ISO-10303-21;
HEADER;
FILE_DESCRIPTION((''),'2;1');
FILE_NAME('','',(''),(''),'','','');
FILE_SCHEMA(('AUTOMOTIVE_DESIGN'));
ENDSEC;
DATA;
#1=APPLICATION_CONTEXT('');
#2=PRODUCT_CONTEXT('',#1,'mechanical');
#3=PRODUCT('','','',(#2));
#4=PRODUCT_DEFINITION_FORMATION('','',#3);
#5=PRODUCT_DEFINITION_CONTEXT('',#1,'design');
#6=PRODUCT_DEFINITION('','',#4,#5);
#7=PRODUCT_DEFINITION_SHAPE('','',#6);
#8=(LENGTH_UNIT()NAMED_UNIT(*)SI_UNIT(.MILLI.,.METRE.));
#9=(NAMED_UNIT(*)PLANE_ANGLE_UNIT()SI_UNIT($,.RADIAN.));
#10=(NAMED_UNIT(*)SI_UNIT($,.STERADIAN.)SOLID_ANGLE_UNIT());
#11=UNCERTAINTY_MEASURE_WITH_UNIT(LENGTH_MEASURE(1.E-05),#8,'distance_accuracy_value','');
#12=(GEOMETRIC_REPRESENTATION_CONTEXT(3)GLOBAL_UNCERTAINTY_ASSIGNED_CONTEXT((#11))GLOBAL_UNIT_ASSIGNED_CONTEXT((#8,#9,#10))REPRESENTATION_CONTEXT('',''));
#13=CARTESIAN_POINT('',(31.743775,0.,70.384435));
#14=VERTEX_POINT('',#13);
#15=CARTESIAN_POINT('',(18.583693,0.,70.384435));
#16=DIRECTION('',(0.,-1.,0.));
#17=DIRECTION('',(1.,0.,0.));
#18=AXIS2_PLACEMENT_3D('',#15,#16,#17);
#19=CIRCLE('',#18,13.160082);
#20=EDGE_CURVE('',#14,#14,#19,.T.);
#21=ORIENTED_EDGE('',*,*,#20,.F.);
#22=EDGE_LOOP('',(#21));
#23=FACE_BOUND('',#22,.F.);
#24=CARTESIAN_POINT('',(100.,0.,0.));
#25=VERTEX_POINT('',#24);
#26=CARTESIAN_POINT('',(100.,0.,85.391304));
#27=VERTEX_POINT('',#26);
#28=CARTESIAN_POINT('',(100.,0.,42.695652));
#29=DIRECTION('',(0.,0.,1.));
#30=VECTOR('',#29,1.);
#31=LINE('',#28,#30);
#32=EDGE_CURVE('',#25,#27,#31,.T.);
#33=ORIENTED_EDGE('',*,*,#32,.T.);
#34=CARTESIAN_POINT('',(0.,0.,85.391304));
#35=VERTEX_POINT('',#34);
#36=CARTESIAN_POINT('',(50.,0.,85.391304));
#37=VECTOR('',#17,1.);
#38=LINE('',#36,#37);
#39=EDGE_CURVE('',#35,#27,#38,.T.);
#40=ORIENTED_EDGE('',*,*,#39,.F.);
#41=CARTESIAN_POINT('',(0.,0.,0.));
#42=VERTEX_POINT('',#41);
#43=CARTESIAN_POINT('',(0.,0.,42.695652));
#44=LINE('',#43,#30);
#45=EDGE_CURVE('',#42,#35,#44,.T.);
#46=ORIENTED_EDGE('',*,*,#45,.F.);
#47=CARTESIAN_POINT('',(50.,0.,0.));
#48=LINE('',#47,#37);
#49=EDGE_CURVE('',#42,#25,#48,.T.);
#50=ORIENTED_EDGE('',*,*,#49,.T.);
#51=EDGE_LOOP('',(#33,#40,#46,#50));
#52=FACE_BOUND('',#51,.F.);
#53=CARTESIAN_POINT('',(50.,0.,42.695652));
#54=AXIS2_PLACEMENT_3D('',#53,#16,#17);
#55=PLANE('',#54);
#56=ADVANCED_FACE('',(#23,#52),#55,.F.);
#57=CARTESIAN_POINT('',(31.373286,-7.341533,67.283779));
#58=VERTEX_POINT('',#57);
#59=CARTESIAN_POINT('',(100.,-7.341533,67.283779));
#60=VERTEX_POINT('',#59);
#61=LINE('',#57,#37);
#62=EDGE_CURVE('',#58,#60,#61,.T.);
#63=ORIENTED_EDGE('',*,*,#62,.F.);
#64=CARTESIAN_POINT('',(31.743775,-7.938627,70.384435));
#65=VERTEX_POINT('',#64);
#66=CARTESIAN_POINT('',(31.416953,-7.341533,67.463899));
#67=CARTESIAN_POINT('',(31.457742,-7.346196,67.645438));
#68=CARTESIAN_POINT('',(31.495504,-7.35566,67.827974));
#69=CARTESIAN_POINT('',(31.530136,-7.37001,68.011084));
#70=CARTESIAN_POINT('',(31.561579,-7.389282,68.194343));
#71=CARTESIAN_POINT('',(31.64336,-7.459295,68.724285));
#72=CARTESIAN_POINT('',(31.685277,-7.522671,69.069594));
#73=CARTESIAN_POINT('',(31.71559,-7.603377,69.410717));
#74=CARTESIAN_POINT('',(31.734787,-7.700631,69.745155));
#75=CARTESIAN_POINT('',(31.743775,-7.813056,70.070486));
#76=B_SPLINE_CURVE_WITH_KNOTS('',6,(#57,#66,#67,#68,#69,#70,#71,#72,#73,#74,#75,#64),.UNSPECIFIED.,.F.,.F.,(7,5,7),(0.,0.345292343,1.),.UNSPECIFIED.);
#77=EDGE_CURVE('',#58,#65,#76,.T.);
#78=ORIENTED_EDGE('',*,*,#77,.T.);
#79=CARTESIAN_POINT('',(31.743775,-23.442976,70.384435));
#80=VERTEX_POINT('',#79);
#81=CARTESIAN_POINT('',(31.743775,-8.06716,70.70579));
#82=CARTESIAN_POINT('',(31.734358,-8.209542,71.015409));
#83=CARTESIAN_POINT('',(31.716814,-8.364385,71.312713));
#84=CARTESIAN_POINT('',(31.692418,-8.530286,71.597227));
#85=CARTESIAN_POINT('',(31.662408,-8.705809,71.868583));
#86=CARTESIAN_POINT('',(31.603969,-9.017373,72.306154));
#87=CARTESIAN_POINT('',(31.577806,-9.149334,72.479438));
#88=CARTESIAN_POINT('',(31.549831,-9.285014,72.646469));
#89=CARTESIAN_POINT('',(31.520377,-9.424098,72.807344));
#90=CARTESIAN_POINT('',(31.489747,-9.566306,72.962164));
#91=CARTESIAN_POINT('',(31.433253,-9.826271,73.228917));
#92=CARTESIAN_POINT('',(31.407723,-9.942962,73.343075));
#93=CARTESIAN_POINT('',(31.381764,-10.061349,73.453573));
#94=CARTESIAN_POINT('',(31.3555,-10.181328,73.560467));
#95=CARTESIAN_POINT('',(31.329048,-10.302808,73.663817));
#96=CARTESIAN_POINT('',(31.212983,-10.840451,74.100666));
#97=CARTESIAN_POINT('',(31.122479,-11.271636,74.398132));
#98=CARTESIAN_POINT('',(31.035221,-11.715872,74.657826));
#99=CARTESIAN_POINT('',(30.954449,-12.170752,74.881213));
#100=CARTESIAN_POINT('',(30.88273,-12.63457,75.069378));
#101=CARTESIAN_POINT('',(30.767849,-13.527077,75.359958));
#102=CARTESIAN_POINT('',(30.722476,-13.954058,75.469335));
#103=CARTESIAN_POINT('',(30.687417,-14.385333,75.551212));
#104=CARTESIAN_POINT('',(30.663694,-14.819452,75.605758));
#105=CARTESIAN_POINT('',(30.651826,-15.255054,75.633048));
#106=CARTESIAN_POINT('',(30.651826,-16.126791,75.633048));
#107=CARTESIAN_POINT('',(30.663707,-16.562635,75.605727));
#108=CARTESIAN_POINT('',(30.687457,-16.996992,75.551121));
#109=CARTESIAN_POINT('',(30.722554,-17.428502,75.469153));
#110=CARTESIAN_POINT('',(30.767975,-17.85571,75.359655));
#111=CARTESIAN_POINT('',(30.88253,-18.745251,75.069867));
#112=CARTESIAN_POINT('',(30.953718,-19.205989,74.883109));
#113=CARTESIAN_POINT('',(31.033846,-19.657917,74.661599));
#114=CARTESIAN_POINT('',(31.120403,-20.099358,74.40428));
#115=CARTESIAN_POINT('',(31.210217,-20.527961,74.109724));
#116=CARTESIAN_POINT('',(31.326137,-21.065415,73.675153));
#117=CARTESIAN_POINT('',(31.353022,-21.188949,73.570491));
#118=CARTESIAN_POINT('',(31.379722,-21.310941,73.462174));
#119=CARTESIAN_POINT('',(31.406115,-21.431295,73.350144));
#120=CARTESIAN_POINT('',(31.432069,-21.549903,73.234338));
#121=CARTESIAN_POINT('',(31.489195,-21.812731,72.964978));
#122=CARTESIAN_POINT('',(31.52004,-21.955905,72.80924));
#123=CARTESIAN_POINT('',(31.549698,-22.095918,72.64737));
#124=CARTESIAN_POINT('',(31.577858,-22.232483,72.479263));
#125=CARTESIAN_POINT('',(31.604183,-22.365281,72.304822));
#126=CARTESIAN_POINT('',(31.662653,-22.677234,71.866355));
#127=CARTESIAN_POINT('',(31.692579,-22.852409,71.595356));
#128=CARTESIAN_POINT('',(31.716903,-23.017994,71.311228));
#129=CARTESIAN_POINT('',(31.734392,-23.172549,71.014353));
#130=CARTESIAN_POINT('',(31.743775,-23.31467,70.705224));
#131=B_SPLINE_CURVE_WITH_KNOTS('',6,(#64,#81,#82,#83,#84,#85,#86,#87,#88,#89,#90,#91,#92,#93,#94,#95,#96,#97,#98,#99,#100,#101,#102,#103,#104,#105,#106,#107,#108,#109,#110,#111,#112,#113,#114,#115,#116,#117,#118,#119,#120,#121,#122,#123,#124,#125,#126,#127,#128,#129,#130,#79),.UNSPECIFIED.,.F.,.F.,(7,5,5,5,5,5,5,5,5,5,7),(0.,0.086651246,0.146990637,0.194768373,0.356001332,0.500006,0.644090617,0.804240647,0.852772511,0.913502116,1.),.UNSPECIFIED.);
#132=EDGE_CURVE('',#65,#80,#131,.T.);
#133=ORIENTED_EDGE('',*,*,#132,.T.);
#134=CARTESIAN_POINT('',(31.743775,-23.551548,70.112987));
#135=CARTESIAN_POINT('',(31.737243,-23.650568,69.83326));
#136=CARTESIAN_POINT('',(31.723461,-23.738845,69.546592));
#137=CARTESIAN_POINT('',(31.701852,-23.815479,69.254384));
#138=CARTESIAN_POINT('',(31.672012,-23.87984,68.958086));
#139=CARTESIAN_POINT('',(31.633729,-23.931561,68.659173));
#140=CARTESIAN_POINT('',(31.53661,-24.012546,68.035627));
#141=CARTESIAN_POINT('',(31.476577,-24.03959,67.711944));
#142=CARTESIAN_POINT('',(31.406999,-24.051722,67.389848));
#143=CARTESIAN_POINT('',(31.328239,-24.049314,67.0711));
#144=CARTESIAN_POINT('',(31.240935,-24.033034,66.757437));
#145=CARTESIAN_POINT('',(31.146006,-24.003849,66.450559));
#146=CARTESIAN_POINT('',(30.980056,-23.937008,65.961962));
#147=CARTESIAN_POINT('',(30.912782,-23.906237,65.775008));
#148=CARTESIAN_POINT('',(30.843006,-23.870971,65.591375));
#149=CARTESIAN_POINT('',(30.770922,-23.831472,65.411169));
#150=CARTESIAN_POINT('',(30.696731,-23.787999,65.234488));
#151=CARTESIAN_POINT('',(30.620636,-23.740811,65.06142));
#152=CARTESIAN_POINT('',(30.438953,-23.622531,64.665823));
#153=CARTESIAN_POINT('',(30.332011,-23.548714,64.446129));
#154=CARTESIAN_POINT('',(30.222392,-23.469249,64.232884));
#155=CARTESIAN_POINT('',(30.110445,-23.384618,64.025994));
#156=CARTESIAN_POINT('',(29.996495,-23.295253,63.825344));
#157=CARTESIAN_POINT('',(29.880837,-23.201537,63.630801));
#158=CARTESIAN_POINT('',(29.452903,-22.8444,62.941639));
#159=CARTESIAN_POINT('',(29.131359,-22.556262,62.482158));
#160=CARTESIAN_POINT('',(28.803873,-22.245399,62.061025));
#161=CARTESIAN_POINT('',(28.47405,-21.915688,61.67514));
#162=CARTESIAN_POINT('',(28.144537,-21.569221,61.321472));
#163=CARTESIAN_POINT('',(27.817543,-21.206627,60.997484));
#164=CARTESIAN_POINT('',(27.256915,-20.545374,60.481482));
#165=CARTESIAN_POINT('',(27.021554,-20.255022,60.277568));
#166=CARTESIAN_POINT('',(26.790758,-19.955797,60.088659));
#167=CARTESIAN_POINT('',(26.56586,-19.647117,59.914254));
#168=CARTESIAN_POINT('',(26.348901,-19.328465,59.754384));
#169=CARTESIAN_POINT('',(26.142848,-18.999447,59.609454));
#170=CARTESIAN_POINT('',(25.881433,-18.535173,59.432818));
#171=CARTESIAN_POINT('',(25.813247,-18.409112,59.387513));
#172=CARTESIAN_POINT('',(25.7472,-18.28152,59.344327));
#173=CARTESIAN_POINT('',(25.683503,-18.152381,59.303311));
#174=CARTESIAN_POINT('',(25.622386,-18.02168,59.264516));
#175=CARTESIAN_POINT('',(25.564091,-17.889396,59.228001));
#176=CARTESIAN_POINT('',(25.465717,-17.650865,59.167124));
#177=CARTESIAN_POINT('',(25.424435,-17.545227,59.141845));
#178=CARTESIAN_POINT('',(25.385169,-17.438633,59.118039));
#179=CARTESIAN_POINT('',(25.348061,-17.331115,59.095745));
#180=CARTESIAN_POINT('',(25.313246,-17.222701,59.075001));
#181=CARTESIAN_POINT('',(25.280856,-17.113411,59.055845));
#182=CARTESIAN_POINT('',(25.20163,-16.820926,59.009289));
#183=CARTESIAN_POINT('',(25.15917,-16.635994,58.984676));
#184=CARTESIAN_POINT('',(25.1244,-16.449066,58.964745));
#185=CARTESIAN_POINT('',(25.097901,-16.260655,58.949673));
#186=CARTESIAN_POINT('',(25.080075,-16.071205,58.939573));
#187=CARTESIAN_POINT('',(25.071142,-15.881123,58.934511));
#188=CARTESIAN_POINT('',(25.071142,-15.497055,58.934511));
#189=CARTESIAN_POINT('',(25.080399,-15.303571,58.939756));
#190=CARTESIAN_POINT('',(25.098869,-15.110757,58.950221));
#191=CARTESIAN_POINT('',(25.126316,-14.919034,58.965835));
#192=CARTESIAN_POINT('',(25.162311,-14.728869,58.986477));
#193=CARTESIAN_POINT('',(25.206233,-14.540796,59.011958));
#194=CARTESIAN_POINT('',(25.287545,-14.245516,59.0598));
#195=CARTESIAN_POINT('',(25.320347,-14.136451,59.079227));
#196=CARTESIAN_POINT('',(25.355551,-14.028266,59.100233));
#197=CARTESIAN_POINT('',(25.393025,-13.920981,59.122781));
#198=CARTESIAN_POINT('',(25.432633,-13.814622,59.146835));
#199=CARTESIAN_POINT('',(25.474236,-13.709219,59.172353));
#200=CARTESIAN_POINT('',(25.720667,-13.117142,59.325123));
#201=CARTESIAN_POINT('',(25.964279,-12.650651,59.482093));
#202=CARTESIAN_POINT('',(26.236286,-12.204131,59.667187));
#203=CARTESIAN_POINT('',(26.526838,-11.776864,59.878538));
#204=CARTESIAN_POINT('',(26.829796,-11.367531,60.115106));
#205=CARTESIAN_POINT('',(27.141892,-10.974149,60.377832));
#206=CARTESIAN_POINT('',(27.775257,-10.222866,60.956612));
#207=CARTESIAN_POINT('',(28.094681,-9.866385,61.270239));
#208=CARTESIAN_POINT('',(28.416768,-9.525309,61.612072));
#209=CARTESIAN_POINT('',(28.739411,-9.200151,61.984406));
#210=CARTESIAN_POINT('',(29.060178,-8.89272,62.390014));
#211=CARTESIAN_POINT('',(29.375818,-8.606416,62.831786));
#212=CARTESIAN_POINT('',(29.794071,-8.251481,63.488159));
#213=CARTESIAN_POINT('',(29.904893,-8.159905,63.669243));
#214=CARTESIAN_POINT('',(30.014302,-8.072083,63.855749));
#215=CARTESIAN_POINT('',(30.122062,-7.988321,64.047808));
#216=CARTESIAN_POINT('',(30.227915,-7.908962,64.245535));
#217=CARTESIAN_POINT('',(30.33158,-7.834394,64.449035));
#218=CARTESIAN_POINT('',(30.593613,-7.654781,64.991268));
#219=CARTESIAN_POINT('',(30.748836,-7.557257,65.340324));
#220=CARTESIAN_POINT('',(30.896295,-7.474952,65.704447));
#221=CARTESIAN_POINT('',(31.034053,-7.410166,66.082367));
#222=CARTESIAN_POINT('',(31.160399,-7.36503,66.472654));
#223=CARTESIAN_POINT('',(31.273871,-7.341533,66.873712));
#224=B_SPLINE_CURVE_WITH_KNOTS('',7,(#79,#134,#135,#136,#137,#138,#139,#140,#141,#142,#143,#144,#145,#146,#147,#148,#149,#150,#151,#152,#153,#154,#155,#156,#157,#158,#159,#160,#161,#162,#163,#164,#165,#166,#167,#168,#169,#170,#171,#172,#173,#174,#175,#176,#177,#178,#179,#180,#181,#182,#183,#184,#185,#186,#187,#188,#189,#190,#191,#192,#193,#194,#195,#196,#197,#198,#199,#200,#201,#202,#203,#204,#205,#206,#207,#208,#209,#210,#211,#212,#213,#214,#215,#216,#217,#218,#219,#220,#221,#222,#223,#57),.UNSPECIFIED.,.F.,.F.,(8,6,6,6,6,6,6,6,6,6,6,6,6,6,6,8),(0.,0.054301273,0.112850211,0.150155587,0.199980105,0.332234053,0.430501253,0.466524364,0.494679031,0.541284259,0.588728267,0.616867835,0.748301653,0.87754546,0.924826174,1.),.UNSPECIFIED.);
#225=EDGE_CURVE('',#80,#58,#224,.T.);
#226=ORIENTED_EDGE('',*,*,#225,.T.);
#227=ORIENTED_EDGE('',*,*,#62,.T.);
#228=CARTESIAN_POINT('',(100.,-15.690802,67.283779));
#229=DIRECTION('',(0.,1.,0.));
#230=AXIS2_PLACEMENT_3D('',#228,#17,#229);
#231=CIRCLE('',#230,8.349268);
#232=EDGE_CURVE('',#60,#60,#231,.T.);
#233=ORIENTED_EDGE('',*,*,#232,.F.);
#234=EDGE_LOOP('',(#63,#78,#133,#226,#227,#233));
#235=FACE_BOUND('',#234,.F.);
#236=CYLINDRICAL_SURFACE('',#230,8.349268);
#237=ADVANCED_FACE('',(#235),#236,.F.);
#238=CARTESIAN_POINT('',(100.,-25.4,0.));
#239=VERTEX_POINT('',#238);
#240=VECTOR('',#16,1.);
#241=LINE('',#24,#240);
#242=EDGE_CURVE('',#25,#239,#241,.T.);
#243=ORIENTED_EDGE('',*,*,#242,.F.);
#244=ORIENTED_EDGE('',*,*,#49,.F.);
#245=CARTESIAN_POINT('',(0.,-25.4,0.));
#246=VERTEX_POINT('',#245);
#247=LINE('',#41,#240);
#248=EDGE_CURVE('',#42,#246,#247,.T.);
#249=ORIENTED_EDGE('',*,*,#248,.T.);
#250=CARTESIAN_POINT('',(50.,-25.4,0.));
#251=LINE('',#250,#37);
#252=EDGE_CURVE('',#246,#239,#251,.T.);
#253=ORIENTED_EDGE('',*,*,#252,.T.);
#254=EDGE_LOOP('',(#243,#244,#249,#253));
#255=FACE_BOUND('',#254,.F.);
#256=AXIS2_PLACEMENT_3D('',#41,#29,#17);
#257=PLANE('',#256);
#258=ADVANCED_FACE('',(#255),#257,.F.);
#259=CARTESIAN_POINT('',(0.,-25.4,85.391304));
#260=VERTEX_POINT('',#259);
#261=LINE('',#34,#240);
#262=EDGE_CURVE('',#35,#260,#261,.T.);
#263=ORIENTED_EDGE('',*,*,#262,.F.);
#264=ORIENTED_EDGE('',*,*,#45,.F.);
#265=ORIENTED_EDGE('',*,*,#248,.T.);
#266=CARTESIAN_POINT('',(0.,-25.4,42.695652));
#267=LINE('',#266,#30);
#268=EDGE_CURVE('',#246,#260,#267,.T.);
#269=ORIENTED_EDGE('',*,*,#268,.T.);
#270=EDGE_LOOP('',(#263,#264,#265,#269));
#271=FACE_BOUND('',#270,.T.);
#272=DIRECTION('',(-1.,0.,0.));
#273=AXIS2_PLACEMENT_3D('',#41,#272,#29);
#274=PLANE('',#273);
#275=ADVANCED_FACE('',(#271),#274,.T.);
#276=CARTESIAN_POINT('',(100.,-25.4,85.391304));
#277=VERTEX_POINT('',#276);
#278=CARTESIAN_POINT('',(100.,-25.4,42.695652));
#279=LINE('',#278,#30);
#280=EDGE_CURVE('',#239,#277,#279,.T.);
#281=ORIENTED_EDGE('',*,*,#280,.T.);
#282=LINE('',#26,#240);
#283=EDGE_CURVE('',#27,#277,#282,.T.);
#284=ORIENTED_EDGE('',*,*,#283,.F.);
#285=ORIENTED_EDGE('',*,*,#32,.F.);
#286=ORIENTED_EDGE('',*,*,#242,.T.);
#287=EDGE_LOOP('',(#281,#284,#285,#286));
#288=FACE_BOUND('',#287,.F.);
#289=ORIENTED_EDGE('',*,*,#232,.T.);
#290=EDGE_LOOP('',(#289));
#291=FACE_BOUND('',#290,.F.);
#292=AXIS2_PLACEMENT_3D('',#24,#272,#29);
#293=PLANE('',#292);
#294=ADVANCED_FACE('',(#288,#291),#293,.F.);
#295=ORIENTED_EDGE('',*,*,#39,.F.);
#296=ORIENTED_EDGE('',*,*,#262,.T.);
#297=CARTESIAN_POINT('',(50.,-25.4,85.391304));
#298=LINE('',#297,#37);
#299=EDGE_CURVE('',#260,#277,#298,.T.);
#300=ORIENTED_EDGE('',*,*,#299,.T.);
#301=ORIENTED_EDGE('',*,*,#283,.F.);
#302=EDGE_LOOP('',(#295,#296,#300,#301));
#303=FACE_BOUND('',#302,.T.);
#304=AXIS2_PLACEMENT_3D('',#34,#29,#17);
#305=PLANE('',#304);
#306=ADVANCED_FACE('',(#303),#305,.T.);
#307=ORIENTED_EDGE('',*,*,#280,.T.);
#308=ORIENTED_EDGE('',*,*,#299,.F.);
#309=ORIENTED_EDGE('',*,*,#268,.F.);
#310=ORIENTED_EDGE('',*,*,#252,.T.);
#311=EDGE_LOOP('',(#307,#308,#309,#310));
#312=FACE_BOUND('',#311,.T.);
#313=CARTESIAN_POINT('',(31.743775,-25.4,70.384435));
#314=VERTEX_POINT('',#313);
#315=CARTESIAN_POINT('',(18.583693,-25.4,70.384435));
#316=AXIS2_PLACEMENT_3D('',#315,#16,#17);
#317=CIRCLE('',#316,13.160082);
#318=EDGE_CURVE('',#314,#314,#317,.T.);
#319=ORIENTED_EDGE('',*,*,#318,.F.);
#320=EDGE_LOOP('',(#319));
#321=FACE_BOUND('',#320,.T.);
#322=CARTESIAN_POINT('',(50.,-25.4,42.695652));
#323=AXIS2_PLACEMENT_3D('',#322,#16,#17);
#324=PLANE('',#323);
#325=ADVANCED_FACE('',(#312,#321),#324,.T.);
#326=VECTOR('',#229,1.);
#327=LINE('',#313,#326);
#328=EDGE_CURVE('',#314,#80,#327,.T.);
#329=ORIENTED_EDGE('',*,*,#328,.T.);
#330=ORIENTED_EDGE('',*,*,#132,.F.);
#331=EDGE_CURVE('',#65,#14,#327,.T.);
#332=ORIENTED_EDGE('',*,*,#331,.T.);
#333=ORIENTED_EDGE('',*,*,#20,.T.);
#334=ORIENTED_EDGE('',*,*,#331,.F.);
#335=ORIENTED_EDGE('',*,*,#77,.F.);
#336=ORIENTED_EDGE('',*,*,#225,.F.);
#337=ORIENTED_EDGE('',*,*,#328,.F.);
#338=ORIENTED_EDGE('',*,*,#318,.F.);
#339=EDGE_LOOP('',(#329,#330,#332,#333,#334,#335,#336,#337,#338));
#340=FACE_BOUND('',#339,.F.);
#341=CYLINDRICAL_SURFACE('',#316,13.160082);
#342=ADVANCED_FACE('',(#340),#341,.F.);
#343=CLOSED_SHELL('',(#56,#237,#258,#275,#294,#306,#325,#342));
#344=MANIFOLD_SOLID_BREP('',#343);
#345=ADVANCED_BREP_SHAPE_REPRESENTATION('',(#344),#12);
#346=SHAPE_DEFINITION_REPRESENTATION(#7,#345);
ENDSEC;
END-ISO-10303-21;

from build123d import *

# Parameters (mm, degrees)
F0_W     = 100
F0_H     = 85.3913038855
F1_DEPTH = 25.4
F2_R     = 13.1600821693
F3_DEPTH = 25.4
F4_R     = 8.3492682179
F5_DEPTH = 25.4
F6_DEPTH = 25.4
F7_DEPTH = 25.4


with BuildPart() as f1:
    # F0 (on Front) → F1 (new body)
    with BuildSketch(Plane.XZ):
        with Locations((50, 42.6956519428)):
            Rectangle(F0_W, F0_H)
    extrude(amount=F1_DEPTH)

    # F2 (on face) → F3 (cut)
    with BuildSketch(Plane.XZ.offset(25.4)):
        with Locations((18.5836926103, 70.3844353557)):
            Circle(F2_R)
    extrude(amount=-F3_DEPTH, mode=Mode.SUBTRACT)

    # F4 (on face) → F5 (cut)
    with BuildSketch(Plane.YZ.offset(100)):
        with Locations((-15.6908016652, 67.2837793827)):
            Circle(F4_R)
    extrude(amount=-F5_DEPTH, mode=Mode.SUBTRACT)

    # F6 (cut): a face of the model
    f6_faces = [f1.faces().sort_by_distance(p)[0] for p in [
        (74.6, -15.6908016652, 67.2837793827),
    ]]
    extrude(f6_faces, amount=-F6_DEPTH, mode=Mode.SUBTRACT)

    # F7 (cut): a face of the model
    f7_faces = [f1.faces().sort_by_distance(p)[0] for p in [
        (49.2, -15.6908016652, 67.2837793827),
    ]]
    extrude(f7_faces, amount=-F7_DEPTH, mode=Mode.SUBTRACT)


solid = f1.part
